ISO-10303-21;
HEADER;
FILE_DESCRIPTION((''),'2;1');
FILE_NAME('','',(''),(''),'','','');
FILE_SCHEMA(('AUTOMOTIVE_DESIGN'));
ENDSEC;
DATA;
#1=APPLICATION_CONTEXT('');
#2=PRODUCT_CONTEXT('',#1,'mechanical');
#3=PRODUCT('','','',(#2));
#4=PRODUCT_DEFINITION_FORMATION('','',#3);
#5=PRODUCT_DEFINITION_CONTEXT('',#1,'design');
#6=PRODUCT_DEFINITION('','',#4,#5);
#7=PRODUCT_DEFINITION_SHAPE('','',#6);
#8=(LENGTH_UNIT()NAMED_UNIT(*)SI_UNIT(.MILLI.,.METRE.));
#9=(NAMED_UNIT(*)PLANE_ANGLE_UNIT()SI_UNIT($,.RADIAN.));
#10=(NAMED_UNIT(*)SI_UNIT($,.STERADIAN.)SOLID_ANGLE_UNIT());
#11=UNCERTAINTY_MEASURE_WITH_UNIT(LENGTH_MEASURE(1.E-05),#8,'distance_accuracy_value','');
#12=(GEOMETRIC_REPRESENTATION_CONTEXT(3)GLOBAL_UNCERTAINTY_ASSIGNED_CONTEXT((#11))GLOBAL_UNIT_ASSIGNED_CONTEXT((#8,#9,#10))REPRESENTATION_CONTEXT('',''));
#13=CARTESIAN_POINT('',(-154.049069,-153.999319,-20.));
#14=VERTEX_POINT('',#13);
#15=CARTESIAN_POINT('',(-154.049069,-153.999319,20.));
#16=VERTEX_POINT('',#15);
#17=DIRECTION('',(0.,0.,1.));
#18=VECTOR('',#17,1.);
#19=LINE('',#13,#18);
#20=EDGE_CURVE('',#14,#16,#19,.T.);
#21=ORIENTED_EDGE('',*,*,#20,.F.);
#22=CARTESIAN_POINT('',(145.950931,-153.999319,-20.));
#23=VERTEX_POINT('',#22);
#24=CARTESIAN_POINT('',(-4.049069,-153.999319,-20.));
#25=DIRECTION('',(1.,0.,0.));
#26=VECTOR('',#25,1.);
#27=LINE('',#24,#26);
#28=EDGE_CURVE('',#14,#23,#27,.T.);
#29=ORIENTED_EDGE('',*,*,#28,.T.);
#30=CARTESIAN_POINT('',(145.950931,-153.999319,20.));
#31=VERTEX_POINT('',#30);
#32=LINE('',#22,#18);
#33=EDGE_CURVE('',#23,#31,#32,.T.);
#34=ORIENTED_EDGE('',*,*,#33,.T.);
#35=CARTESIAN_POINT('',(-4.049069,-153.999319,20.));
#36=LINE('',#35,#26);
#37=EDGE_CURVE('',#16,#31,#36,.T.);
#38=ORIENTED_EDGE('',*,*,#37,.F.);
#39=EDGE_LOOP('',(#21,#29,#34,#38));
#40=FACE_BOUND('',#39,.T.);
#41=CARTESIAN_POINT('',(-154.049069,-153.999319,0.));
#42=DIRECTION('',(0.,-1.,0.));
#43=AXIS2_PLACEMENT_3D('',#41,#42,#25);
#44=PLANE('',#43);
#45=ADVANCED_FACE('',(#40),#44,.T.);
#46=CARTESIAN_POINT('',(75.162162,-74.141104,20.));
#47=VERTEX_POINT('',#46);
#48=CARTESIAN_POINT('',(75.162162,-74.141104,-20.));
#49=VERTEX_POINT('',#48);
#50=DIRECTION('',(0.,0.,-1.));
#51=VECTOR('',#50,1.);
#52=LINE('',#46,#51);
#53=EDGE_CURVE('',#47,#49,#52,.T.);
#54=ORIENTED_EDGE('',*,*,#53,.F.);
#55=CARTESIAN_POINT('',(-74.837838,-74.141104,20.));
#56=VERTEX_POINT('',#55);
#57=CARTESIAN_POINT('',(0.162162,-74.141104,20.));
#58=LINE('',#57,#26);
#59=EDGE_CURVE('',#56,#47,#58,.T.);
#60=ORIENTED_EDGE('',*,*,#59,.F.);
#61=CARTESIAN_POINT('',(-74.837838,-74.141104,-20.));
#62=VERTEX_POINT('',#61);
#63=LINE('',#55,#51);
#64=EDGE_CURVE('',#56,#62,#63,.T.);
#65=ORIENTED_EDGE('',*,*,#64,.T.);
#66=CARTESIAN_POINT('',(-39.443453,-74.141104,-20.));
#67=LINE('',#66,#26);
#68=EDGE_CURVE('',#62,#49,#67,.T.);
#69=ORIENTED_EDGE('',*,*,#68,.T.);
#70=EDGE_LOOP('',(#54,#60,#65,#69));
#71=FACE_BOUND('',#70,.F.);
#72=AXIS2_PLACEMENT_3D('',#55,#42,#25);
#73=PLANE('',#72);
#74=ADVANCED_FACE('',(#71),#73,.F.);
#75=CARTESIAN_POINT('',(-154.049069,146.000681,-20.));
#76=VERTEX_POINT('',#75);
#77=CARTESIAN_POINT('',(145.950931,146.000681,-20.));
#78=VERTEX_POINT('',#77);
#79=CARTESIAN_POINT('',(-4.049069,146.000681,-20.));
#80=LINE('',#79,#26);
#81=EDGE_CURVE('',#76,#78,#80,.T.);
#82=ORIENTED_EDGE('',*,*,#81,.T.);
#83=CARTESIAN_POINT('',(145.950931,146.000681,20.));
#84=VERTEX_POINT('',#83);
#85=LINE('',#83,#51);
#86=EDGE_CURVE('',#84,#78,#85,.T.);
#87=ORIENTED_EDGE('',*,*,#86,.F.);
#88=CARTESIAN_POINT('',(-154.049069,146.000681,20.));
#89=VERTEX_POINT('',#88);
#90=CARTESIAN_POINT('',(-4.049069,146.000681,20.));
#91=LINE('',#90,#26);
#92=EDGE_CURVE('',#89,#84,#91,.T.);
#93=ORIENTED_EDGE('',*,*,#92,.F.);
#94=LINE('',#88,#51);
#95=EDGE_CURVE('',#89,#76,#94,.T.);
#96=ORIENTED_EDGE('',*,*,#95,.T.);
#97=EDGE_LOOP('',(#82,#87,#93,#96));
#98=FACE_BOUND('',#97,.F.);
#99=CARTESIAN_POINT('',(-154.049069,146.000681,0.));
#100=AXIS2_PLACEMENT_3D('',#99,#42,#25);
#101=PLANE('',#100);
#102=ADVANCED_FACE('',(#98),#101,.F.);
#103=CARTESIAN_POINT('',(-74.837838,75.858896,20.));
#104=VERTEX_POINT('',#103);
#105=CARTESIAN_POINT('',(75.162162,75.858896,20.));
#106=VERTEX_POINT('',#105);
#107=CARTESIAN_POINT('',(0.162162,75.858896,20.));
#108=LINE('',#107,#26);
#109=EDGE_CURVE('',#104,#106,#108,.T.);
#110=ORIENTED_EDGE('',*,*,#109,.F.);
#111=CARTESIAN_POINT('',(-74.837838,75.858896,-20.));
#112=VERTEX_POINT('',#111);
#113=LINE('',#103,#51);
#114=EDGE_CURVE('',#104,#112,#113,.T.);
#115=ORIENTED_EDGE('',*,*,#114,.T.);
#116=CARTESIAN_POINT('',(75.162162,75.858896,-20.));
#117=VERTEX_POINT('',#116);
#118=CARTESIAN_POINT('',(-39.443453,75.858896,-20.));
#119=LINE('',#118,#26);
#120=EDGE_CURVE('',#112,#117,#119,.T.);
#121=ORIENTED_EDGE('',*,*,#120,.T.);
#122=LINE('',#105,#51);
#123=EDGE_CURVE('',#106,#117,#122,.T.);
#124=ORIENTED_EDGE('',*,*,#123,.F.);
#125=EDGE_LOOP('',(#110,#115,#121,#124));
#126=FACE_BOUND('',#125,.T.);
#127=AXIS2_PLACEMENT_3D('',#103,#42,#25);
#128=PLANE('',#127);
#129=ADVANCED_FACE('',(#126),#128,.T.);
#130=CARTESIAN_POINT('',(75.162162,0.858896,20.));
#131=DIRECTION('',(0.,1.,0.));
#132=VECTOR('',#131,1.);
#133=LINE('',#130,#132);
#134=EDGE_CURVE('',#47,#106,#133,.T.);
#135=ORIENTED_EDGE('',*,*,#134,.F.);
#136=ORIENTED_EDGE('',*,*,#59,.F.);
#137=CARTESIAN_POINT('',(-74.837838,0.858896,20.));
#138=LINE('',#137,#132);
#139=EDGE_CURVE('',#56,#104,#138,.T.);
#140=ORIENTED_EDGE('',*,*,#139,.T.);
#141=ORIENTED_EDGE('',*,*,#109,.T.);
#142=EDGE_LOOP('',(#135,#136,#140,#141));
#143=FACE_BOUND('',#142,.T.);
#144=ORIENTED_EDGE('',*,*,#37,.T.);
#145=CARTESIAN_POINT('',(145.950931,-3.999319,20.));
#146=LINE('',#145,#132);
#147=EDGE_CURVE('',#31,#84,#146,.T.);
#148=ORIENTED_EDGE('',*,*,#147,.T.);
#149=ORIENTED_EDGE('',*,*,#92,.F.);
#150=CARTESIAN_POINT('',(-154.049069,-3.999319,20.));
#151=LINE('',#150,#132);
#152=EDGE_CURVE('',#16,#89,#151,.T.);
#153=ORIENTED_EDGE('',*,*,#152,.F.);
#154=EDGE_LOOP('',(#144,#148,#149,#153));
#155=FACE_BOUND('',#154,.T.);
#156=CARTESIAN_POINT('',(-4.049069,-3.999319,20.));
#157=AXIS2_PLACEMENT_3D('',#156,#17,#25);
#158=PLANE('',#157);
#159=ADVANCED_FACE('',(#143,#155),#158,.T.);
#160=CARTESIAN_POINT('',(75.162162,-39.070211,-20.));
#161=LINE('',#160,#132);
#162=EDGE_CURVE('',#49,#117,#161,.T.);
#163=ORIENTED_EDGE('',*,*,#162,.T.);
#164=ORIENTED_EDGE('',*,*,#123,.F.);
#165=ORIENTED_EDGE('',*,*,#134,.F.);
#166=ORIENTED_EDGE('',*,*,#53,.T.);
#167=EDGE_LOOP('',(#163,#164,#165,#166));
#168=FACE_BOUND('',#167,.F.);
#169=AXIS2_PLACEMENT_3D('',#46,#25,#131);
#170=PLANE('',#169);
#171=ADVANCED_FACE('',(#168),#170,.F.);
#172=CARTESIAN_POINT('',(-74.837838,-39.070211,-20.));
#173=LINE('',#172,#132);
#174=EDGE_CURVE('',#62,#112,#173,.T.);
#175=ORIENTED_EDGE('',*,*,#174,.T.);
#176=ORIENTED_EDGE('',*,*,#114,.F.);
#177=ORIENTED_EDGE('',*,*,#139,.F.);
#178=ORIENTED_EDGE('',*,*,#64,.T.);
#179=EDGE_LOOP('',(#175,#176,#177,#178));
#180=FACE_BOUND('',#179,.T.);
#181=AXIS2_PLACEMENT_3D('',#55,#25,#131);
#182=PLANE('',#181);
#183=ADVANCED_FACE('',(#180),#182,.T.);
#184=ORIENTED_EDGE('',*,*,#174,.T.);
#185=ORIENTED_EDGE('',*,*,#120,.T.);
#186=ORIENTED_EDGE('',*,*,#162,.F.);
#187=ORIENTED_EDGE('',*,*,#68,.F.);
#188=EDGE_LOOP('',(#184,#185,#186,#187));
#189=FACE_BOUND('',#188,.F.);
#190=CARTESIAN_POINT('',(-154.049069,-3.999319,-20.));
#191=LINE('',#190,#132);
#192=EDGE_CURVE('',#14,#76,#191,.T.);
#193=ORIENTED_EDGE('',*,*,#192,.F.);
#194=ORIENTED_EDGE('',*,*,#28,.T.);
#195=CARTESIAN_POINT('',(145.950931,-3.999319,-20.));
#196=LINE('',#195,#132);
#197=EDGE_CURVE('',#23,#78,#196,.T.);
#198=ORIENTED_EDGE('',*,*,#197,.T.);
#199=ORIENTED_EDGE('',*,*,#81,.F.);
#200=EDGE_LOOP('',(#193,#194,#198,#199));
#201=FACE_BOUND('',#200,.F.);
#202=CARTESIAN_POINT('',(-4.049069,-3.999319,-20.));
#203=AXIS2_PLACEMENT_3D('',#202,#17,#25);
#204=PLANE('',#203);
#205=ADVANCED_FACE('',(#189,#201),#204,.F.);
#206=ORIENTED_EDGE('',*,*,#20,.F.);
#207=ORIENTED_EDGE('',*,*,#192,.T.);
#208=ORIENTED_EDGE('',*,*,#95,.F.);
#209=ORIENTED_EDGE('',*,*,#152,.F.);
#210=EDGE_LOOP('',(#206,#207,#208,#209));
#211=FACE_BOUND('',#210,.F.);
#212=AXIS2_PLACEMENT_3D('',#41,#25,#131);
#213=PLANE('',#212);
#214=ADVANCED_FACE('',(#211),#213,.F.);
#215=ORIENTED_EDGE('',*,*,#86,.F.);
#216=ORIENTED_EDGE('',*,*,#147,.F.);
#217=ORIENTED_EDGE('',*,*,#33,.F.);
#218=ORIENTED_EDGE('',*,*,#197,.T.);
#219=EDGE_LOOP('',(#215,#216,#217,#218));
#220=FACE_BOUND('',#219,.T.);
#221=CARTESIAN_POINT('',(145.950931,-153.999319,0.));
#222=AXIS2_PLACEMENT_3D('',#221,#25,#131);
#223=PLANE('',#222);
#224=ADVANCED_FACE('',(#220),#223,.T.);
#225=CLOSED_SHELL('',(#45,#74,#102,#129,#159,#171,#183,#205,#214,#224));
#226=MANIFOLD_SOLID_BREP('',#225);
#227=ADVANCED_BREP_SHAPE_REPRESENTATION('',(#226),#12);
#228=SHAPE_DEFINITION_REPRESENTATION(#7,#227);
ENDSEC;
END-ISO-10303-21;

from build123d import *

# Parameters (mm, degrees)
F0_W     = 300
F0_H     = 300
F1_DEPTH = 20
F2_W     = 150
F2_H     = 150
F3_DEPTH = 50


with BuildPart() as f1:
    # F0 (on Top) → F1 (new body, symmetric)
    with BuildSketch(Plane.XY):
        with Locations((-4.049069, -3.999319)):
            Rectangle(F0_W, F0_H)
    extrude(amount=F1_DEPTH, both=True)

    # F2 (on face) → F3 (cut)
    with BuildSketch(Plane.XY.offset(20)):
        with Locations((0.162162, 0.858896)):
            Rectangle(F2_W, F2_H)
    extrude(amount=-F3_DEPTH, mode=Mode.SUBTRACT)


solid = f1.part
